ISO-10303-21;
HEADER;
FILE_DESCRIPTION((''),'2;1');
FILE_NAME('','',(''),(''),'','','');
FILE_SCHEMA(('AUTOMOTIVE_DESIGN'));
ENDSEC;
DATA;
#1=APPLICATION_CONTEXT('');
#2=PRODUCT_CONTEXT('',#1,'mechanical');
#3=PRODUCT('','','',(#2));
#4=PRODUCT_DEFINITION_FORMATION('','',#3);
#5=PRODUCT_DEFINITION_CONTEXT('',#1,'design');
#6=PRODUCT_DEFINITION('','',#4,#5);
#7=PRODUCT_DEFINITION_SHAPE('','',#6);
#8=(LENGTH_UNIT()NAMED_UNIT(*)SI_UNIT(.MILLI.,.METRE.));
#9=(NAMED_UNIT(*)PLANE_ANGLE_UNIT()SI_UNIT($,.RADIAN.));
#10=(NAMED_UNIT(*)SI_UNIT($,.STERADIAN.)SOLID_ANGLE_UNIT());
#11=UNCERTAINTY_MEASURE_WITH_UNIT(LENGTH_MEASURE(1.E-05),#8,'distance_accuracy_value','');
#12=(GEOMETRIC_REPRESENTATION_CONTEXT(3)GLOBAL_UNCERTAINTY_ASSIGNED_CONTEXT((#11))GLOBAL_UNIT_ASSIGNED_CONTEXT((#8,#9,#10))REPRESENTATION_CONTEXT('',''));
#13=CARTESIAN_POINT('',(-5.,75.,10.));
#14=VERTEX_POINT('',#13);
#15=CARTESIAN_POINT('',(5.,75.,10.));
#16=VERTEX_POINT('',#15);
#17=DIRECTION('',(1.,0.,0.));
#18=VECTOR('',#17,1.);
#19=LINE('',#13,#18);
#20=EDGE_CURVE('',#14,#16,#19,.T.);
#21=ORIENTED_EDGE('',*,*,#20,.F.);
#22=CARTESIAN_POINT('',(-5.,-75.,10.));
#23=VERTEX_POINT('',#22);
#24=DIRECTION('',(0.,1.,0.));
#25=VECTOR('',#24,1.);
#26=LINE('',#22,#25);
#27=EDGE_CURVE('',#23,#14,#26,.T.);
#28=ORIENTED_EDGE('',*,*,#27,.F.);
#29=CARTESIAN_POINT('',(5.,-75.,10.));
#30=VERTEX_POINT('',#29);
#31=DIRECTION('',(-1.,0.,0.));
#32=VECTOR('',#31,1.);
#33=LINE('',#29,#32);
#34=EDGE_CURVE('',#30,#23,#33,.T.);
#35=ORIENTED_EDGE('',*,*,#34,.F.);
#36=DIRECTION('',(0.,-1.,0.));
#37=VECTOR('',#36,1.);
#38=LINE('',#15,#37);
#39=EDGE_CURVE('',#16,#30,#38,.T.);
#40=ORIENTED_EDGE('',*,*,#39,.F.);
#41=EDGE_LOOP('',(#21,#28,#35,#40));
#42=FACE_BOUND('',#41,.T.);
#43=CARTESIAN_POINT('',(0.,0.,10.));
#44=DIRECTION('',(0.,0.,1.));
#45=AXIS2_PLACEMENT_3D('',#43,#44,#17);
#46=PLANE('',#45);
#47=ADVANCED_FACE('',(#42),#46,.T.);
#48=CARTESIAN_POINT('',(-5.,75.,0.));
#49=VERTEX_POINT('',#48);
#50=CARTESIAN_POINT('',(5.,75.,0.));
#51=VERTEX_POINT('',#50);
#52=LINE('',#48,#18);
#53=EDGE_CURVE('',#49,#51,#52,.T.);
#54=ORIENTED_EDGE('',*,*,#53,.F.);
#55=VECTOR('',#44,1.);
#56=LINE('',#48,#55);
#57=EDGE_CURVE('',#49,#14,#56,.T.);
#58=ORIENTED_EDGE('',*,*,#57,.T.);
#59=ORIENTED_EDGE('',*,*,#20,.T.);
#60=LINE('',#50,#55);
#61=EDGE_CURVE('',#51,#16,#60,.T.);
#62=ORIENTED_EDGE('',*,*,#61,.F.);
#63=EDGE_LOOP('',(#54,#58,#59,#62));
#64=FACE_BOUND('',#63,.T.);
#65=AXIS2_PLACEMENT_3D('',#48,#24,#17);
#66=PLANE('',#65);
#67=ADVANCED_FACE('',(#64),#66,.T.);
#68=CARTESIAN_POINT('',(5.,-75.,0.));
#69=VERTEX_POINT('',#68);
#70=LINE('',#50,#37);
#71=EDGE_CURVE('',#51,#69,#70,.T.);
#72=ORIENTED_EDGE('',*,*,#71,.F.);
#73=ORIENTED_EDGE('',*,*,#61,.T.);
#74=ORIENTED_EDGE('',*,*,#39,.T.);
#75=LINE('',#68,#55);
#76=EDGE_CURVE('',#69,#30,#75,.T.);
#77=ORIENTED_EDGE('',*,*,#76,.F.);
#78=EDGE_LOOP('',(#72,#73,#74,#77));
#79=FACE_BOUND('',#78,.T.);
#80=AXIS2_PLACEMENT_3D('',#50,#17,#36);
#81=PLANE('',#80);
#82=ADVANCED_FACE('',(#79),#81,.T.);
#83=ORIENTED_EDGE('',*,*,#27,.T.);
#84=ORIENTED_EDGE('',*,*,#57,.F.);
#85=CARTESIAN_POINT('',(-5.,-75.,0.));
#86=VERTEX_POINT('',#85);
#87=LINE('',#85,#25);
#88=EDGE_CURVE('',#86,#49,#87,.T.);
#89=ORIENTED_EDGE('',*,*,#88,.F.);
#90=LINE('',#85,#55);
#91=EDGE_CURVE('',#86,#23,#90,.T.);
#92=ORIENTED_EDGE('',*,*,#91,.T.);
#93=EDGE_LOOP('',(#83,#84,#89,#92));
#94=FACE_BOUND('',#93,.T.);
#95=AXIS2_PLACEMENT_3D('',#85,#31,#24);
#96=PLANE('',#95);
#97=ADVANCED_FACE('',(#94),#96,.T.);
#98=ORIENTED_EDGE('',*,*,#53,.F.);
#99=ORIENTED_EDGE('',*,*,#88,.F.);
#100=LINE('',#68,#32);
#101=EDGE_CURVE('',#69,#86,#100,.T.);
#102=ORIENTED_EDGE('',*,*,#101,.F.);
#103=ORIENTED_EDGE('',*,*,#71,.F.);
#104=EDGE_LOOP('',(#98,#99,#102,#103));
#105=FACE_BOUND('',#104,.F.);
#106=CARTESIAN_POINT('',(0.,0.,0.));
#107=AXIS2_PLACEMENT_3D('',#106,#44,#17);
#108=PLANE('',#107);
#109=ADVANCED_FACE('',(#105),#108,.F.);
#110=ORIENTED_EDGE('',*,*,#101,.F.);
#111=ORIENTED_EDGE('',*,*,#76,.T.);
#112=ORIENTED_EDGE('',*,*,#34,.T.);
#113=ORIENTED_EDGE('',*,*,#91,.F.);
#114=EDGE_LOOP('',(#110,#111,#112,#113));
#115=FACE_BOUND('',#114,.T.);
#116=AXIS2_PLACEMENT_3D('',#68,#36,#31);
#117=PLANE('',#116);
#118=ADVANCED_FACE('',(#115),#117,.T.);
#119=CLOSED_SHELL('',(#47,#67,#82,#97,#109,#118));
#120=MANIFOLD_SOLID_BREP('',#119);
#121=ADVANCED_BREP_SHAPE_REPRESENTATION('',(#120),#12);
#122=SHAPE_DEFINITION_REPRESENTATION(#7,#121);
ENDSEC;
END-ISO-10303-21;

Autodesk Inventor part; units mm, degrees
ref_plane "YZ Plane" through (0, 0, 0) normal (1, 0, 0) x (0, 1, 0)
ref_plane "XZ Plane" through (0, 0, 0) normal (0, 1, 0) x (-1, 0, 0)
ref_plane "XY Plane" through (0, 0, 0) normal (0, 0, 1) x (1, 0, 0)
sketch "스케치1" plane through (0, 0, 0) normal (0, 0, 1) x (1, 0, 0)
  line L0 (5, -75) -> (-5, -75)
  line L1 (-5, -75) -> (-5, 75)
  line L2 (-5, 75) -> (5, 75)
  line L3 (5, 75) -> (5, -75)
  line L4 (5, -75) -> (-5, 75) construction
  line L5 (-5, -75) -> (5, 75) construction
  point P0 (0, 0)
  dimension "d0" = 150
  dimension "d1" = 10
extrude "돌출1" add sketch "스케치1" along normal blind 10
properties part number "240626_chair6"
